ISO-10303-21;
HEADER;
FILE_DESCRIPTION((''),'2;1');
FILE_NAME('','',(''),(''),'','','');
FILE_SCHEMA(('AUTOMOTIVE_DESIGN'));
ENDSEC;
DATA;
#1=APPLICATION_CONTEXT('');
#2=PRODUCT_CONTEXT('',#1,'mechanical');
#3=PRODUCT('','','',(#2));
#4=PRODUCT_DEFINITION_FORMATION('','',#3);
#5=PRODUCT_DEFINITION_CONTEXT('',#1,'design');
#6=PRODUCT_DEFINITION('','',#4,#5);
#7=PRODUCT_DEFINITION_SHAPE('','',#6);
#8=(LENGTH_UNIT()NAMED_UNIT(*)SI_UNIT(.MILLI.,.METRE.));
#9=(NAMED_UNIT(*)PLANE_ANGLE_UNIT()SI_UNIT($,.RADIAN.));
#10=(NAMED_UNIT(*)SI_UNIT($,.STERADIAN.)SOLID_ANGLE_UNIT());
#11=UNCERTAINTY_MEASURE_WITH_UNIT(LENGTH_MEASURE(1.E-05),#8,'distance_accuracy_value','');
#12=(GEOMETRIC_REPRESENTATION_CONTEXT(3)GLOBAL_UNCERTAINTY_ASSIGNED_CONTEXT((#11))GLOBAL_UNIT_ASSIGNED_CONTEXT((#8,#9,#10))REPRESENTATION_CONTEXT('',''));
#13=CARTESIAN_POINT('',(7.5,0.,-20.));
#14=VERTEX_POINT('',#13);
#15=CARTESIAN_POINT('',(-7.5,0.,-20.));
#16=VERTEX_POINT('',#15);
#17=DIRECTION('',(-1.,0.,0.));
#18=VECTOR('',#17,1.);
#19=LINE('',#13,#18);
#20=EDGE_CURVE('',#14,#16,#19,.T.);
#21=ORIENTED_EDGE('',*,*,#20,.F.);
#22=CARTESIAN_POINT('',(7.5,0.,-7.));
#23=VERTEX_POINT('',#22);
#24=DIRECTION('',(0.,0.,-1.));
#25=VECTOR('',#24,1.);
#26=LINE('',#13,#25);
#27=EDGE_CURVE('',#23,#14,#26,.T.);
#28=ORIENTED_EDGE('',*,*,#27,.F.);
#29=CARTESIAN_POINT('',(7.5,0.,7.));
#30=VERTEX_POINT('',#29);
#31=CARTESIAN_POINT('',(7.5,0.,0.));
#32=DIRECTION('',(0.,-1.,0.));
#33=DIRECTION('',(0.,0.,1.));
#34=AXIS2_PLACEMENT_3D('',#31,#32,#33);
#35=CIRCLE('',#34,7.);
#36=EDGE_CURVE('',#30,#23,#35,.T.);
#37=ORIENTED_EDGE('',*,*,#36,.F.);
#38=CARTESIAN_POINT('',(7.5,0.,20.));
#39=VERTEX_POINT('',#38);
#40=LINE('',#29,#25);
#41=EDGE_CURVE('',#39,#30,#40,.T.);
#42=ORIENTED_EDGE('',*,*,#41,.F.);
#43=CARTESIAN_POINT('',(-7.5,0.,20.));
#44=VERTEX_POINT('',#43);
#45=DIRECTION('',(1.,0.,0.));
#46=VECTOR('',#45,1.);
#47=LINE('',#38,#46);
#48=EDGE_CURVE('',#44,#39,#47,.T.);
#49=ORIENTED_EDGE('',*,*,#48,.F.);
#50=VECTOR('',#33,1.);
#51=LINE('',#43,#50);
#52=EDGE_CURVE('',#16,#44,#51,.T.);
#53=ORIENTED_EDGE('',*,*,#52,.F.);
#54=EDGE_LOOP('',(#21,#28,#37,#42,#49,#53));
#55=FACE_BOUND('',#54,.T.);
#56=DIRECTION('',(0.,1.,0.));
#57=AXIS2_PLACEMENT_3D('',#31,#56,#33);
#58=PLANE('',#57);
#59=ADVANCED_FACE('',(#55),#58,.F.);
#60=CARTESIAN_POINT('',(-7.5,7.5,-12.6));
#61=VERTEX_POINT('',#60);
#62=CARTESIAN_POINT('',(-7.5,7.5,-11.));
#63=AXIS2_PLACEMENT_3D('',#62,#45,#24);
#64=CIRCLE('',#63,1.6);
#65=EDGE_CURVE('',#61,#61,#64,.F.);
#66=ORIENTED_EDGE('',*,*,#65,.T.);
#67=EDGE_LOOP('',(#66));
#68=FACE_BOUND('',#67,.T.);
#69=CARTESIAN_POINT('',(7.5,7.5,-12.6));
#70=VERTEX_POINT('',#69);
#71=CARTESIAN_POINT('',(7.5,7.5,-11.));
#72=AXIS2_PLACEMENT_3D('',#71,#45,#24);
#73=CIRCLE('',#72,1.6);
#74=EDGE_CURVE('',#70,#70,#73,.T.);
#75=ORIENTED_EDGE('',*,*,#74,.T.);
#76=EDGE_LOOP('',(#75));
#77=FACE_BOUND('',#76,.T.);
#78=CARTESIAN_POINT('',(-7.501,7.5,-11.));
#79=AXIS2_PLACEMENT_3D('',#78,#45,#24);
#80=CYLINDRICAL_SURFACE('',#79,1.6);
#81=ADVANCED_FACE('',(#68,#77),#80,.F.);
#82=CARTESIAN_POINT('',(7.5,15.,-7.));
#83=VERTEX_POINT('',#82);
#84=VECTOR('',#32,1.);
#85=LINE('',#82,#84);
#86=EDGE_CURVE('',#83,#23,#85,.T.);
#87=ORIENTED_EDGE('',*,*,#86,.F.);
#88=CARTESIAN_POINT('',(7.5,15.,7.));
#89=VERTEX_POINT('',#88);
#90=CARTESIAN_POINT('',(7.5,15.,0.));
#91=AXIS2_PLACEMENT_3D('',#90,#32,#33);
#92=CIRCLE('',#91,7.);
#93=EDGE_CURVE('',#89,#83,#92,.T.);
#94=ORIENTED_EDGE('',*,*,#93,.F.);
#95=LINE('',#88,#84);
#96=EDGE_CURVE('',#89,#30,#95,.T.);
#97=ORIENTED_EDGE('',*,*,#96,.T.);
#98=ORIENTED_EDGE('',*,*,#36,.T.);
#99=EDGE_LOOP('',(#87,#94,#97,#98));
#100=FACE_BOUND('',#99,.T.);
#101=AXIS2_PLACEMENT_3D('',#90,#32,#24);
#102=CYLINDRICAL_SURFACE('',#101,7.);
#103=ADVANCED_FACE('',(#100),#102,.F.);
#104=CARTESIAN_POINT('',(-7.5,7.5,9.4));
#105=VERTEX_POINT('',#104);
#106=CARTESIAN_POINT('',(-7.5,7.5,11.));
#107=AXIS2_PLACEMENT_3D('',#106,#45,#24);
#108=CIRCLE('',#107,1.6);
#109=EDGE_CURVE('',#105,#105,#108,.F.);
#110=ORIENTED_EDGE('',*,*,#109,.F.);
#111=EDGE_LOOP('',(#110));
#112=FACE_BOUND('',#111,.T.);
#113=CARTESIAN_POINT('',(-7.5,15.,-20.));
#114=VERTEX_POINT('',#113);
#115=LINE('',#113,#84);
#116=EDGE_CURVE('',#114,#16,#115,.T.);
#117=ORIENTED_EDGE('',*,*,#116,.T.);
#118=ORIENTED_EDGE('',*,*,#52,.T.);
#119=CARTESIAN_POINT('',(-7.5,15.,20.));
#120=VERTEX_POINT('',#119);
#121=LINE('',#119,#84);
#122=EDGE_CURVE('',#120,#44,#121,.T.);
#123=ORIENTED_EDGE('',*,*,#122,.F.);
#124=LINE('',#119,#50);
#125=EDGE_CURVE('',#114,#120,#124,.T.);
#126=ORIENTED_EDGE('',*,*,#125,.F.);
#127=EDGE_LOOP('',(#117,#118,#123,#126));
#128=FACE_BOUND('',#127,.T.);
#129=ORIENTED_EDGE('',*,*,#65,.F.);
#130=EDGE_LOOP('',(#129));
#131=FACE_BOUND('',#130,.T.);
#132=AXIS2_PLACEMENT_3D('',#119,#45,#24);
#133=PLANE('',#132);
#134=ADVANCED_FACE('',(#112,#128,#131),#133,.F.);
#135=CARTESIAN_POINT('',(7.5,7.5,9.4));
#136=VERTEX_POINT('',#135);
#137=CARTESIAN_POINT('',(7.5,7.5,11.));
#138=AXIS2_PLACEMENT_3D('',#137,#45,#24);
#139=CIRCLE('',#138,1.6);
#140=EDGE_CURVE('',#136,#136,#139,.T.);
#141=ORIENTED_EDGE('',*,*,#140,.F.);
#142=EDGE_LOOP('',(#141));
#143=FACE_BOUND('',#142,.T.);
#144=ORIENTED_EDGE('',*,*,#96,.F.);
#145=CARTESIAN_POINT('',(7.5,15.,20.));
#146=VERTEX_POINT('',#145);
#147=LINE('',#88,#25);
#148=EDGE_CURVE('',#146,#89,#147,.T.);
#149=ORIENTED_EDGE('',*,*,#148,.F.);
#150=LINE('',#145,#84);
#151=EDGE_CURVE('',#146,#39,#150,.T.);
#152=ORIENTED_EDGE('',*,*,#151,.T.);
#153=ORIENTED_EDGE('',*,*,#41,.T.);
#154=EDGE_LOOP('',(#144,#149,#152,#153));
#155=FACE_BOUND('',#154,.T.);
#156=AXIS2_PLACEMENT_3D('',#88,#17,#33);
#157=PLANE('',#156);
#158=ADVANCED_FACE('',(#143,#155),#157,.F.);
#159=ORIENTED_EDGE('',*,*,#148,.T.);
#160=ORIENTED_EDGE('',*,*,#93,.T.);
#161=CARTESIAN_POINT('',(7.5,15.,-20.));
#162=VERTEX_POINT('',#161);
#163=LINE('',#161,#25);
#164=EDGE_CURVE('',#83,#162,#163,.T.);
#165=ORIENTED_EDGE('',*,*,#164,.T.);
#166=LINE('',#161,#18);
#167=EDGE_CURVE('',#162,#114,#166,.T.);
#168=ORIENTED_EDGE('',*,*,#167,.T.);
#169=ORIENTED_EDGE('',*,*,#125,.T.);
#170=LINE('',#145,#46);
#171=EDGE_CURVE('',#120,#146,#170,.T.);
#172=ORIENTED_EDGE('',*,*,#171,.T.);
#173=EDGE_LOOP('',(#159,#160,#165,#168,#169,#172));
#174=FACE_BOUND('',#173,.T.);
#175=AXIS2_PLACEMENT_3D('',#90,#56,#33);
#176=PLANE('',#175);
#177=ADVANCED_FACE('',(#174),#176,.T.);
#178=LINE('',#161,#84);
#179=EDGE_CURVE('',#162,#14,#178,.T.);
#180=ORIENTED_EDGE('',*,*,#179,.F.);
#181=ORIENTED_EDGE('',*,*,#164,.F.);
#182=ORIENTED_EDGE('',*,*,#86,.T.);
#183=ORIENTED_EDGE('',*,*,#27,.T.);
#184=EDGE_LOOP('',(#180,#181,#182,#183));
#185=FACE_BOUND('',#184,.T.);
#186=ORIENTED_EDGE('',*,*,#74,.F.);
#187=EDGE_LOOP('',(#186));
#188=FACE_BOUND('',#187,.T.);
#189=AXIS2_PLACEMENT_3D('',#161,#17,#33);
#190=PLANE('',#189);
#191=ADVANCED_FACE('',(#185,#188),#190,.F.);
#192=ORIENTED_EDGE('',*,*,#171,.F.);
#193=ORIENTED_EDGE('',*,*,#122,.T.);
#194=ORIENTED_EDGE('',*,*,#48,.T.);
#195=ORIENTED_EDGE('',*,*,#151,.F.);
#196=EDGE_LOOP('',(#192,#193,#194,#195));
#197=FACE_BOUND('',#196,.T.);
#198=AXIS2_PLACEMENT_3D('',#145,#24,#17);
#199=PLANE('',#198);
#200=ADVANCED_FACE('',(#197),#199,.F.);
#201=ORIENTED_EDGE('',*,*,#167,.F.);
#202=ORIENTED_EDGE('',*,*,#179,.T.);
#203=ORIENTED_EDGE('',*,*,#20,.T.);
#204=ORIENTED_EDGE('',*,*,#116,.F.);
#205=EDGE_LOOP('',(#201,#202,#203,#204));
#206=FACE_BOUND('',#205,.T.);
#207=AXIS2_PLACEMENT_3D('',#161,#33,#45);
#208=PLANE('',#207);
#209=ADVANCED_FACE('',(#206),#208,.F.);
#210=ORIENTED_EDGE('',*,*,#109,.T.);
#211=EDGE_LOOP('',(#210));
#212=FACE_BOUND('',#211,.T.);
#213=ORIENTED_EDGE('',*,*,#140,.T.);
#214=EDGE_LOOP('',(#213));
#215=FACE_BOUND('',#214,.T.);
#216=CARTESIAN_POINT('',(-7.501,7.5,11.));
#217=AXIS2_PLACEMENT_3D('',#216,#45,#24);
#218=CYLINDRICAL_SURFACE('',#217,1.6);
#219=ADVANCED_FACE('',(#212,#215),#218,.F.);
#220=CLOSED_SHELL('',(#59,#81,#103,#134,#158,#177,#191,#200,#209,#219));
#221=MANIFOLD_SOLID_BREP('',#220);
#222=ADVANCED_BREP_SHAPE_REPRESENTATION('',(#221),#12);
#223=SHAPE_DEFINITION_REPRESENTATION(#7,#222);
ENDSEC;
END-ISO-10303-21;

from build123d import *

# Parameters (mm, degrees)
BOSS_EXTRUDE1_DEPTH = 15
CUT_EXTRUDE2_REACH  = 17
SKETCH4_R           = 1.6


with BuildPart() as part:
    # Sketch1 → Boss-Extrude1 (new body)
    with BuildSketch(Plane(origin=(0, 0, 0), x_dir=(1, 0, 0), z_dir=(0, 1, 0))):
        with BuildLine():
            Line((7.5, 20), (7.5, 7))
            ThreePointArc((7.5, 7), (0.5, 0), (7.5, -7))
            Line((7.5, -7), (7.5, -20))
            Line((7.5, -20), (-7.5, -20))
            Line((-7.5, -20), (-7.5, 20))
            Line((-7.5, 20), (7.5, 20))
        make_face()
    extrude(amount=BOSS_EXTRUDE1_DEPTH)

    # Sketch4 → Cut-Extrude2 (cut, up to next)
    with BuildSketch(Plane(origin=(7.5, 0, 0), x_dir=(0, 0, -1), z_dir=(1, 0, 0)), mode=Mode.PRIVATE) as cut_extrude2_sk1:
        with Locations((11, 7.5)):
            Circle(SKETCH4_R)
    cut_extrude2_tool1 = extrude(cut_extrude2_sk1.sketch, amount=-CUT_EXTRUDE2_REACH, mode=Mode.PRIVATE) & part.part
    add(cut_extrude2_tool1.solids().sort_by_distance((7.5, 7.5, -11))[0], mode=Mode.SUBTRACT)
    # Sketch4 → Cut-Extrude2 (cut, up to next)
    with BuildSketch(Plane(origin=(7.5, 0, 0), x_dir=(0, 0, -1), z_dir=(1, 0, 0)), mode=Mode.PRIVATE) as cut_extrude2_sk2:
        with Locations((-11, 7.5)):
            Circle(SKETCH4_R)
    cut_extrude2_tool2 = extrude(cut_extrude2_sk2.sketch, amount=-CUT_EXTRUDE2_REACH, mode=Mode.PRIVATE) & part.part
    add(cut_extrude2_tool2.solids().sort_by_distance((7.5, 7.5, 11))[0], mode=Mode.SUBTRACT)


solid = part.part
